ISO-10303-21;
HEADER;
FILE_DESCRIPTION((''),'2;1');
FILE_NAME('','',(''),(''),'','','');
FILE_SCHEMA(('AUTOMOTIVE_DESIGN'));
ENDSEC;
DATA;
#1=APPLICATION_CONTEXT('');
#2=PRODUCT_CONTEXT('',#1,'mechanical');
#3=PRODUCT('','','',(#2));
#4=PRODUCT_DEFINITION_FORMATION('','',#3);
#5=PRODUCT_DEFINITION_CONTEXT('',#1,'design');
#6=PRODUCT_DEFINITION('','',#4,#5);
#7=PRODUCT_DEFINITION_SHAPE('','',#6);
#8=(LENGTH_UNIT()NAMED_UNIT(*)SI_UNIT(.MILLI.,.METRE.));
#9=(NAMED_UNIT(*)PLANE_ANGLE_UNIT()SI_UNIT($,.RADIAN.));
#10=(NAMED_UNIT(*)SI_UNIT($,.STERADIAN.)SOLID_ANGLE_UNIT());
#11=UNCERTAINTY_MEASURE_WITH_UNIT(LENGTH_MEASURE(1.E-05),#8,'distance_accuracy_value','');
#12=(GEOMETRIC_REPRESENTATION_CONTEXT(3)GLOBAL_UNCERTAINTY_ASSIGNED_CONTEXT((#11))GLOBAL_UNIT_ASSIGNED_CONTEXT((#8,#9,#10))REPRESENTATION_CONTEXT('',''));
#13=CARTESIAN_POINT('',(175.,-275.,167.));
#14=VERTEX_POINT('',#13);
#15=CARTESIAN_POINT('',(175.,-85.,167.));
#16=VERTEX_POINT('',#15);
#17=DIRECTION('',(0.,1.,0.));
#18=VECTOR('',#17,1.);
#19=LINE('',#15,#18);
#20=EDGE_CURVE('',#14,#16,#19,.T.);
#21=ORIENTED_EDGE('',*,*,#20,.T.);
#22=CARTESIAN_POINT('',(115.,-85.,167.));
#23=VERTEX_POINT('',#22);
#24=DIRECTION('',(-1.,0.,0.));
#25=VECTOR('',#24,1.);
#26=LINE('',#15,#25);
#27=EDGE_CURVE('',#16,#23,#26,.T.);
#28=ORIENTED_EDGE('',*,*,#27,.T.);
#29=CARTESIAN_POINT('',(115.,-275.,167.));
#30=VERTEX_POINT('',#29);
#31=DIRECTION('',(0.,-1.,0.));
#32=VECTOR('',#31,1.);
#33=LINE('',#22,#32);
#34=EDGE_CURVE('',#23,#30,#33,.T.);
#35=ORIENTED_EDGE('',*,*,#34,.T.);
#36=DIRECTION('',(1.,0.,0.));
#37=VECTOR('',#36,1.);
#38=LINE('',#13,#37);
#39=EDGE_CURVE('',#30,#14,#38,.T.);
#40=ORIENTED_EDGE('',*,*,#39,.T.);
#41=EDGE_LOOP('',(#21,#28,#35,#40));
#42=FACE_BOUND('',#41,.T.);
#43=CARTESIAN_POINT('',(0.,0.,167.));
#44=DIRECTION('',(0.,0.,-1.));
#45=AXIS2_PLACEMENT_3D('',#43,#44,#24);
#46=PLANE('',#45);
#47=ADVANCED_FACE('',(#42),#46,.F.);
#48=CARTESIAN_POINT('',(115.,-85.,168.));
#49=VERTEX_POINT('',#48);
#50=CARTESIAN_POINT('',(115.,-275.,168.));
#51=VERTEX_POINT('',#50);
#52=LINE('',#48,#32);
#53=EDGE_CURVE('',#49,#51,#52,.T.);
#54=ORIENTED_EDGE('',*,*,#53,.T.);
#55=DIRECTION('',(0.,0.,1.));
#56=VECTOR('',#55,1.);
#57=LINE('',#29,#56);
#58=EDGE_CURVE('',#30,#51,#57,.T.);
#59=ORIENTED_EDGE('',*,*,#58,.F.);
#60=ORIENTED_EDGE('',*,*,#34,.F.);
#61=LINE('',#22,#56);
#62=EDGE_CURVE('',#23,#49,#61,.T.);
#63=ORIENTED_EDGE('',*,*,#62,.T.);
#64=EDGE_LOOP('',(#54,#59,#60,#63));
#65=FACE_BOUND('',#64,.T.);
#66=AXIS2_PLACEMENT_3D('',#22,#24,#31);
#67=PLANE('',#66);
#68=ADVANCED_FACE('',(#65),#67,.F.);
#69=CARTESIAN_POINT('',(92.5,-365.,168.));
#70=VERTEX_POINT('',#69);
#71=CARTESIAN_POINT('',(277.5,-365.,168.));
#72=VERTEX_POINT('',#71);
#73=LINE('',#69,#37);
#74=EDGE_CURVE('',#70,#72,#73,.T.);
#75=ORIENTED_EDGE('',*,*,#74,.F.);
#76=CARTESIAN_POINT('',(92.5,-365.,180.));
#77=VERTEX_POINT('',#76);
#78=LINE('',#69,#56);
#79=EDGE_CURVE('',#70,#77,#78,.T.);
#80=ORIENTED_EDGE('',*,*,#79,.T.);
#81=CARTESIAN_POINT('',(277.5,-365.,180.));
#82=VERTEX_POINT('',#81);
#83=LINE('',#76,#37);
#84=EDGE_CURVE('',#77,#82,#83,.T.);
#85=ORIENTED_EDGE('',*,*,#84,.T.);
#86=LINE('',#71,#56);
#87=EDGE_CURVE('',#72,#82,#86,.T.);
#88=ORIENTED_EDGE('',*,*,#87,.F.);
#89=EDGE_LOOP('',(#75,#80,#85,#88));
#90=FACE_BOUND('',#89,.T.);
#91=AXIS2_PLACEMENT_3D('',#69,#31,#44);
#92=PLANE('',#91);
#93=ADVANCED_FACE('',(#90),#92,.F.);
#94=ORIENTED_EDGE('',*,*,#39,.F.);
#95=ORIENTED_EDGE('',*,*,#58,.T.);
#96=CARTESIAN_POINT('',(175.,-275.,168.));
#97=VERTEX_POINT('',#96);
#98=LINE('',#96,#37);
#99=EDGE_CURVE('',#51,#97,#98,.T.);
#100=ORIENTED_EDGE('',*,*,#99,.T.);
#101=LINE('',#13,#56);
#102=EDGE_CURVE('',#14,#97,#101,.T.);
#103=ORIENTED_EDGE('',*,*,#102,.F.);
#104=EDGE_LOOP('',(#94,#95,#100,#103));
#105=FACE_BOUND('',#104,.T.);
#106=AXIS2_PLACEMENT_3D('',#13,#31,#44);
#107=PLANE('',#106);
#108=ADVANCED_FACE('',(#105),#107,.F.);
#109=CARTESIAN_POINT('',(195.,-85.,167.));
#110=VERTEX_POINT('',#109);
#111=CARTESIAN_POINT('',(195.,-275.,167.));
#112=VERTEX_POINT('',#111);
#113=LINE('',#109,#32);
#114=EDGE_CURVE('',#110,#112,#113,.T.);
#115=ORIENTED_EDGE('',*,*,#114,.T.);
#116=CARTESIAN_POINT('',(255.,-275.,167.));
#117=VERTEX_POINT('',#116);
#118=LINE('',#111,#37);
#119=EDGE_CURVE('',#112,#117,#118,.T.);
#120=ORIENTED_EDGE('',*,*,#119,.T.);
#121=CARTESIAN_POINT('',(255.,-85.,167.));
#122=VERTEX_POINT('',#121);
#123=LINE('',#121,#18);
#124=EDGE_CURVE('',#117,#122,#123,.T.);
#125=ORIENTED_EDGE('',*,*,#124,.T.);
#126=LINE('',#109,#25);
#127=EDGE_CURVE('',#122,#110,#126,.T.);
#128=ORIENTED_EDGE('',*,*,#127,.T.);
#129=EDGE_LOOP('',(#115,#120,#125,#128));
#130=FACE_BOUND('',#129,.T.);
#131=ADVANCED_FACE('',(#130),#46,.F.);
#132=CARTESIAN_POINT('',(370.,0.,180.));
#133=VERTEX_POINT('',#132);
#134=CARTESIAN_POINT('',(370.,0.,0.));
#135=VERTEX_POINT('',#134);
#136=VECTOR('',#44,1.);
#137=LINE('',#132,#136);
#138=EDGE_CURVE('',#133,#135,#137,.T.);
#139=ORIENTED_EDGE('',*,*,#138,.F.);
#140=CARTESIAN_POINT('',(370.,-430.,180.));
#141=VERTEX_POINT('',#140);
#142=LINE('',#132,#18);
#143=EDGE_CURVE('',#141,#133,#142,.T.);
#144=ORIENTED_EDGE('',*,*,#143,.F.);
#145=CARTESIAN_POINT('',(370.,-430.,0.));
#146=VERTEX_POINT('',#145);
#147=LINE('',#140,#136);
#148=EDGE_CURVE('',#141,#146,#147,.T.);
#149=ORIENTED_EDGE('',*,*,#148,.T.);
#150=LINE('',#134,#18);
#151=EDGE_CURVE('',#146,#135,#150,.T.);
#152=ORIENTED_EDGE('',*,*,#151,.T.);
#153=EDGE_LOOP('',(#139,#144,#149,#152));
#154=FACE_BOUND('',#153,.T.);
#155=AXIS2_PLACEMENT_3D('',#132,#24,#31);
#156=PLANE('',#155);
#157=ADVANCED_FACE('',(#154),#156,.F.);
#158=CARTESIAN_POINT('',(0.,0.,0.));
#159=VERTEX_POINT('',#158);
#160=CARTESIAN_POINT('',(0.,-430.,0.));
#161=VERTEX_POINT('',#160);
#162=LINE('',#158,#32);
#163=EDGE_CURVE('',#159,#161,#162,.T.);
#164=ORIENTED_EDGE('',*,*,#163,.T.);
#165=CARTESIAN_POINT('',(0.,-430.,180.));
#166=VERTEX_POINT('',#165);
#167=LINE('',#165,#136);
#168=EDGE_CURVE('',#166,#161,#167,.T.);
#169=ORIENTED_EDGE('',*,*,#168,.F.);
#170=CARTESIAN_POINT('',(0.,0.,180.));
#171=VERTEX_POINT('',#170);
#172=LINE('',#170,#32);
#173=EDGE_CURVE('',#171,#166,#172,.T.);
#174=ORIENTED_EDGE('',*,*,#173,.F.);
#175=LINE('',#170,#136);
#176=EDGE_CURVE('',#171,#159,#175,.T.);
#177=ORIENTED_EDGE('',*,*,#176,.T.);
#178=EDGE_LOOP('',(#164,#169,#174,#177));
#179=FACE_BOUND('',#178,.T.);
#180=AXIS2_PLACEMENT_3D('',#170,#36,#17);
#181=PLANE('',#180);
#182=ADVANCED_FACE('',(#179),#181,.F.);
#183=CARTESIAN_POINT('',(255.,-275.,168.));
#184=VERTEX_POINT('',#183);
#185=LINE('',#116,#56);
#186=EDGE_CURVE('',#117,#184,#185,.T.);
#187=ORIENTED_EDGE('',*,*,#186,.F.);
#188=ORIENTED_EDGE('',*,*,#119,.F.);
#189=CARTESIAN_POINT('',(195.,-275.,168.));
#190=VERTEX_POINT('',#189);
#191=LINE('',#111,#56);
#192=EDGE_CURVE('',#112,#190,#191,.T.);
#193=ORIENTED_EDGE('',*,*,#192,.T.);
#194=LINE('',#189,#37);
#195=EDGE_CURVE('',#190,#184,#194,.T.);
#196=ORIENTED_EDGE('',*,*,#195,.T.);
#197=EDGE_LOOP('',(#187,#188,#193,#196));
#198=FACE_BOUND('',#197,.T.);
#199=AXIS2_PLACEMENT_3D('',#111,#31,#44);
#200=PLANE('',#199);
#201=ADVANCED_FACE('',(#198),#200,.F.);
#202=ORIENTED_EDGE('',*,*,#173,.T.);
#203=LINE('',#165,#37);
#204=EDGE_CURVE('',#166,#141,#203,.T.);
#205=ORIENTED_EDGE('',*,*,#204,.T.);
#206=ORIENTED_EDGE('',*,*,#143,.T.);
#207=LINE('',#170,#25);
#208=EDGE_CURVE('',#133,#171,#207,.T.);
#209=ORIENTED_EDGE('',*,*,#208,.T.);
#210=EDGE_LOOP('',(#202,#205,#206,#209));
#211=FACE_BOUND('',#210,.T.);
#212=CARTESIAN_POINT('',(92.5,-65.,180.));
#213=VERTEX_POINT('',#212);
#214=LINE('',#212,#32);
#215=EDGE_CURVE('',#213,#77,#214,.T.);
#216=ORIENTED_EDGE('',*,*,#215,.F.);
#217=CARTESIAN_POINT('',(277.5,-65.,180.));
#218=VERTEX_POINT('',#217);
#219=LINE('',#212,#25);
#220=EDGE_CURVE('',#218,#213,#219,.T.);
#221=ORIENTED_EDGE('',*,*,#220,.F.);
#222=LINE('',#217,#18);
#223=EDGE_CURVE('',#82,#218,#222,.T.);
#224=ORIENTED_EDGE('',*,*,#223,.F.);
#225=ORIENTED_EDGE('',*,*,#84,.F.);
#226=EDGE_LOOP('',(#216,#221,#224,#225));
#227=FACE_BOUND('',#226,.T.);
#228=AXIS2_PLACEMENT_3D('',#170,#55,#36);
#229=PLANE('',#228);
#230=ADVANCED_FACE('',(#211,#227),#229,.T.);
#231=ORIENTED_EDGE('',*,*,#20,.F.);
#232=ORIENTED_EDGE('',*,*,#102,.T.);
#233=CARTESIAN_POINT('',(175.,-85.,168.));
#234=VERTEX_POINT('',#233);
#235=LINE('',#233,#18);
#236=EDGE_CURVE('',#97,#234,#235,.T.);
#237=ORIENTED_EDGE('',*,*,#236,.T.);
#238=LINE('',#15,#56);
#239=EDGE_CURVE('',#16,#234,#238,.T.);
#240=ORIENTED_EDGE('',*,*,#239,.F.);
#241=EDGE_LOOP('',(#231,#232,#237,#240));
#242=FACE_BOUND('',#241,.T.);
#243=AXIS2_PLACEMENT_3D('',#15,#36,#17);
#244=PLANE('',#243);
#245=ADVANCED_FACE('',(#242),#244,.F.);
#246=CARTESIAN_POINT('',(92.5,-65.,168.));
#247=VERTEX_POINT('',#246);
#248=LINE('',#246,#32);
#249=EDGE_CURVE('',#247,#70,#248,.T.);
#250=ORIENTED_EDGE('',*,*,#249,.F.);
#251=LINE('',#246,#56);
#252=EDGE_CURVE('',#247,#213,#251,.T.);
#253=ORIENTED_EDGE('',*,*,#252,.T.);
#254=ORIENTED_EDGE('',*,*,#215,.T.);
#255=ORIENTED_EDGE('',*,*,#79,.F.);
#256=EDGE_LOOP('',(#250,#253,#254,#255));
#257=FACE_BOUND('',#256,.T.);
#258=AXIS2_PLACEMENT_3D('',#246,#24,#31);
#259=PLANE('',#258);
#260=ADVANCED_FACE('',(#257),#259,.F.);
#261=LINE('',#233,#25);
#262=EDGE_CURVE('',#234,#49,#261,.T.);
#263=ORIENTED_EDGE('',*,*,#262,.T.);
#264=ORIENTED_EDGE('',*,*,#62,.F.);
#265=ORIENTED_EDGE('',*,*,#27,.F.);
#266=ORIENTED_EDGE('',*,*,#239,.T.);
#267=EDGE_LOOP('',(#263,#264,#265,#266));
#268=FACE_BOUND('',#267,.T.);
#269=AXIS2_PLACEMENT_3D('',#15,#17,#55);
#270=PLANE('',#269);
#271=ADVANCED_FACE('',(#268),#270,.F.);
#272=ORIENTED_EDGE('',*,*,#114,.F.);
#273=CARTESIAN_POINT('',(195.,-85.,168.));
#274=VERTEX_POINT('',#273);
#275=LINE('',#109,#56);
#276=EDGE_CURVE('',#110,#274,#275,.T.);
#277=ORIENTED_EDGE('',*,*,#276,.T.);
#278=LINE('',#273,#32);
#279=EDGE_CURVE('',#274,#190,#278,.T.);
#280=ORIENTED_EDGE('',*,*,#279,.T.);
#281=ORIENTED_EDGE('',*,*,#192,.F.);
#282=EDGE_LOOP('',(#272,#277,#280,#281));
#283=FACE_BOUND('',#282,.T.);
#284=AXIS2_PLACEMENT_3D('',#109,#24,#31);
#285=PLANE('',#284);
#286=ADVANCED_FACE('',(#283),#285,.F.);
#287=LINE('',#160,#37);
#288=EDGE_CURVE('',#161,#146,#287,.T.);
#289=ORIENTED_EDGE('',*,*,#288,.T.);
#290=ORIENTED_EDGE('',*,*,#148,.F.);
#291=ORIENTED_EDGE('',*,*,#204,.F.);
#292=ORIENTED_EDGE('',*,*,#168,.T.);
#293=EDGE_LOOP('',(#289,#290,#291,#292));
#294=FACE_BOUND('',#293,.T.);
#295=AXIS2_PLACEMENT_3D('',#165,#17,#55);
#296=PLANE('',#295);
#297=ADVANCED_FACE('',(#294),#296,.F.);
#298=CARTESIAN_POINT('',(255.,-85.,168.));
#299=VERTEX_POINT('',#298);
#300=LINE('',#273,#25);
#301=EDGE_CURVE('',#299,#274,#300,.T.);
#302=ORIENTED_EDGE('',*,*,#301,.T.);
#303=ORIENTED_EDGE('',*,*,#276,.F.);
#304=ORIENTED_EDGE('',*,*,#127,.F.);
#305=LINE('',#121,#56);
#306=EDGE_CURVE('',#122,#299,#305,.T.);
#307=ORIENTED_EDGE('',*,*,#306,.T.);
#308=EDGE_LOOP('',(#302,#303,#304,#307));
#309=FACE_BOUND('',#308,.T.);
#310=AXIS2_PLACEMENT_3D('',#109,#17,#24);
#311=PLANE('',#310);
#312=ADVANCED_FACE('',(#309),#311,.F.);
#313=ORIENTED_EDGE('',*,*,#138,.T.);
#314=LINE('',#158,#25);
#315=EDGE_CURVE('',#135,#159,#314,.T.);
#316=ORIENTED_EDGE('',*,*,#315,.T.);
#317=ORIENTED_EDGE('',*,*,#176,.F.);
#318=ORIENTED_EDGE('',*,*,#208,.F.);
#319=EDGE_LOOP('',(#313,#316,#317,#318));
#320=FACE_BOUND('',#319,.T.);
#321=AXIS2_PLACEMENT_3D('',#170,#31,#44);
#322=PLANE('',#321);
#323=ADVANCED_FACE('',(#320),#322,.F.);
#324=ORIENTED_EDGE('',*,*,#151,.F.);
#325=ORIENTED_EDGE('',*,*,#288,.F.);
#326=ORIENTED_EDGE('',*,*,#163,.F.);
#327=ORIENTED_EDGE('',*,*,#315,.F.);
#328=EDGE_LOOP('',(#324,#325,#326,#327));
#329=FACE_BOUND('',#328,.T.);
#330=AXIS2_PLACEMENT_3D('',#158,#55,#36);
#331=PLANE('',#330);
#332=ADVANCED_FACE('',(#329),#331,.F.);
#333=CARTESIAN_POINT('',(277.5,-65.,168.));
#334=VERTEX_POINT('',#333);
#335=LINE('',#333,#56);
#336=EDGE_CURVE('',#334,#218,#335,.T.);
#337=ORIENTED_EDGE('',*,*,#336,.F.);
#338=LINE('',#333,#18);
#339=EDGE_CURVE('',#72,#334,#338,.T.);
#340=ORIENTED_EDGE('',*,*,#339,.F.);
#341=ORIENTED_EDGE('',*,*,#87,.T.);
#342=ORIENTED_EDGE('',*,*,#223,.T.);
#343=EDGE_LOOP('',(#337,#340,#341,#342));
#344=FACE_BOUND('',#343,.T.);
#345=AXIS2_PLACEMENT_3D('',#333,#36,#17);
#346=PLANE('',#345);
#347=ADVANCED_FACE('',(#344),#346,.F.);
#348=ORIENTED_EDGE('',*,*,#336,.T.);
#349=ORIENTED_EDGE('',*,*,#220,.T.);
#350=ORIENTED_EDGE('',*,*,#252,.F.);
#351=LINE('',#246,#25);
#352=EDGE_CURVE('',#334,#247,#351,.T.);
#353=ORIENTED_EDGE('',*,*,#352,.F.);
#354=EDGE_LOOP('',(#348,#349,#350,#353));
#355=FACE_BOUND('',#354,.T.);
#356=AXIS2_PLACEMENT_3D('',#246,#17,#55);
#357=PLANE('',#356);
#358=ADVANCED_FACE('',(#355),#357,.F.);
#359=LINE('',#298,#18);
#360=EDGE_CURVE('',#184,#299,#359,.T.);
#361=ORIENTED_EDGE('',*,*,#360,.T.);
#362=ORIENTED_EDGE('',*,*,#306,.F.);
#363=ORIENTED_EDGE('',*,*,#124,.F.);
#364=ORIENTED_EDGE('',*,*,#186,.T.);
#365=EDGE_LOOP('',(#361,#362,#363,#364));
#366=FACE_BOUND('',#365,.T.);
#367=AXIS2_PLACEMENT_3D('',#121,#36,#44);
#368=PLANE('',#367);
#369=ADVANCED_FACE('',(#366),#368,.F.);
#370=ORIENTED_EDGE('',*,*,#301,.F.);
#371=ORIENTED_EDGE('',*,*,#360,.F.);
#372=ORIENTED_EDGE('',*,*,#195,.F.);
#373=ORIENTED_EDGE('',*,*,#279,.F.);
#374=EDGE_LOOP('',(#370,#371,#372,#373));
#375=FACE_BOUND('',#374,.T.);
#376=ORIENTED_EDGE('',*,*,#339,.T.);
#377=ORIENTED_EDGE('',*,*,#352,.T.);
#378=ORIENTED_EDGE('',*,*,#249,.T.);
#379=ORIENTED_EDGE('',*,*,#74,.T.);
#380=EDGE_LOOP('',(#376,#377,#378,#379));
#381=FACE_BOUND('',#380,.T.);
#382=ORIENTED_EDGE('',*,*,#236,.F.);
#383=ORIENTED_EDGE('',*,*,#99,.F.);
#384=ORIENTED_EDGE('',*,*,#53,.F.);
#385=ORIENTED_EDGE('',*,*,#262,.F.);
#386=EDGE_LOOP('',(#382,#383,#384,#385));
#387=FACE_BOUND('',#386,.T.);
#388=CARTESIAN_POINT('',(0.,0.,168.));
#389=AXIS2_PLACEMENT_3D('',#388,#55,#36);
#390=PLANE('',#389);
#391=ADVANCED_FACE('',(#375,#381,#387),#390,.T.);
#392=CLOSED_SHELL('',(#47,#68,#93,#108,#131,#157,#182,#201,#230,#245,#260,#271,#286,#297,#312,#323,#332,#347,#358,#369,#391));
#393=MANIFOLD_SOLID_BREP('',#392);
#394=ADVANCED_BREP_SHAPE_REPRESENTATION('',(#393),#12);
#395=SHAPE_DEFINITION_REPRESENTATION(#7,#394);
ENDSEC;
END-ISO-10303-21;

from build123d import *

# Parameters (mm, degrees)
CROQUIS1_W              = 370
CROQUIS1_H              = 430
SALIENTE_EXTRUIR1_DEPTH = 180
CROQUIS2_W              = 185
CROQUIS2_H              = 300
CORTAR_EXTRUIR1_DEPTH   = 12
CROQUIS3_W              = 60
CROQUIS3_H              = 190
CORTAR_EXTRUIR2_DEPTH   = 1


with BuildPart() as part:
    # Croquis1 → Saliente-Extruir1 (new body)
    with BuildSketch(Plane.XY):
        with Locations((185, -215)):
            Rectangle(CROQUIS1_W, CROQUIS1_H)
    extrude(amount=SALIENTE_EXTRUIR1_DEPTH)

    # Croquis2 → Cortar-Extruir1 (cut)
    with BuildSketch(Plane.XY.offset(180)):
        with Locations((185, -215)):
            Rectangle(CROQUIS2_W, CROQUIS2_H)
    extrude(amount=-CORTAR_EXTRUIR1_DEPTH, mode=Mode.SUBTRACT)

    # Croquis3 → Cortar-Extruir2 (cut)
    with BuildSketch(Plane.XY.offset(168)):
        with Locations((145, -180)):
            Rectangle(CROQUIS3_W, CROQUIS3_H)
        with Locations((225, -180)):
            Rectangle(CROQUIS3_W, CROQUIS3_H)
    extrude(amount=-CORTAR_EXTRUIR2_DEPTH, mode=Mode.SUBTRACT)


solid = part.part
